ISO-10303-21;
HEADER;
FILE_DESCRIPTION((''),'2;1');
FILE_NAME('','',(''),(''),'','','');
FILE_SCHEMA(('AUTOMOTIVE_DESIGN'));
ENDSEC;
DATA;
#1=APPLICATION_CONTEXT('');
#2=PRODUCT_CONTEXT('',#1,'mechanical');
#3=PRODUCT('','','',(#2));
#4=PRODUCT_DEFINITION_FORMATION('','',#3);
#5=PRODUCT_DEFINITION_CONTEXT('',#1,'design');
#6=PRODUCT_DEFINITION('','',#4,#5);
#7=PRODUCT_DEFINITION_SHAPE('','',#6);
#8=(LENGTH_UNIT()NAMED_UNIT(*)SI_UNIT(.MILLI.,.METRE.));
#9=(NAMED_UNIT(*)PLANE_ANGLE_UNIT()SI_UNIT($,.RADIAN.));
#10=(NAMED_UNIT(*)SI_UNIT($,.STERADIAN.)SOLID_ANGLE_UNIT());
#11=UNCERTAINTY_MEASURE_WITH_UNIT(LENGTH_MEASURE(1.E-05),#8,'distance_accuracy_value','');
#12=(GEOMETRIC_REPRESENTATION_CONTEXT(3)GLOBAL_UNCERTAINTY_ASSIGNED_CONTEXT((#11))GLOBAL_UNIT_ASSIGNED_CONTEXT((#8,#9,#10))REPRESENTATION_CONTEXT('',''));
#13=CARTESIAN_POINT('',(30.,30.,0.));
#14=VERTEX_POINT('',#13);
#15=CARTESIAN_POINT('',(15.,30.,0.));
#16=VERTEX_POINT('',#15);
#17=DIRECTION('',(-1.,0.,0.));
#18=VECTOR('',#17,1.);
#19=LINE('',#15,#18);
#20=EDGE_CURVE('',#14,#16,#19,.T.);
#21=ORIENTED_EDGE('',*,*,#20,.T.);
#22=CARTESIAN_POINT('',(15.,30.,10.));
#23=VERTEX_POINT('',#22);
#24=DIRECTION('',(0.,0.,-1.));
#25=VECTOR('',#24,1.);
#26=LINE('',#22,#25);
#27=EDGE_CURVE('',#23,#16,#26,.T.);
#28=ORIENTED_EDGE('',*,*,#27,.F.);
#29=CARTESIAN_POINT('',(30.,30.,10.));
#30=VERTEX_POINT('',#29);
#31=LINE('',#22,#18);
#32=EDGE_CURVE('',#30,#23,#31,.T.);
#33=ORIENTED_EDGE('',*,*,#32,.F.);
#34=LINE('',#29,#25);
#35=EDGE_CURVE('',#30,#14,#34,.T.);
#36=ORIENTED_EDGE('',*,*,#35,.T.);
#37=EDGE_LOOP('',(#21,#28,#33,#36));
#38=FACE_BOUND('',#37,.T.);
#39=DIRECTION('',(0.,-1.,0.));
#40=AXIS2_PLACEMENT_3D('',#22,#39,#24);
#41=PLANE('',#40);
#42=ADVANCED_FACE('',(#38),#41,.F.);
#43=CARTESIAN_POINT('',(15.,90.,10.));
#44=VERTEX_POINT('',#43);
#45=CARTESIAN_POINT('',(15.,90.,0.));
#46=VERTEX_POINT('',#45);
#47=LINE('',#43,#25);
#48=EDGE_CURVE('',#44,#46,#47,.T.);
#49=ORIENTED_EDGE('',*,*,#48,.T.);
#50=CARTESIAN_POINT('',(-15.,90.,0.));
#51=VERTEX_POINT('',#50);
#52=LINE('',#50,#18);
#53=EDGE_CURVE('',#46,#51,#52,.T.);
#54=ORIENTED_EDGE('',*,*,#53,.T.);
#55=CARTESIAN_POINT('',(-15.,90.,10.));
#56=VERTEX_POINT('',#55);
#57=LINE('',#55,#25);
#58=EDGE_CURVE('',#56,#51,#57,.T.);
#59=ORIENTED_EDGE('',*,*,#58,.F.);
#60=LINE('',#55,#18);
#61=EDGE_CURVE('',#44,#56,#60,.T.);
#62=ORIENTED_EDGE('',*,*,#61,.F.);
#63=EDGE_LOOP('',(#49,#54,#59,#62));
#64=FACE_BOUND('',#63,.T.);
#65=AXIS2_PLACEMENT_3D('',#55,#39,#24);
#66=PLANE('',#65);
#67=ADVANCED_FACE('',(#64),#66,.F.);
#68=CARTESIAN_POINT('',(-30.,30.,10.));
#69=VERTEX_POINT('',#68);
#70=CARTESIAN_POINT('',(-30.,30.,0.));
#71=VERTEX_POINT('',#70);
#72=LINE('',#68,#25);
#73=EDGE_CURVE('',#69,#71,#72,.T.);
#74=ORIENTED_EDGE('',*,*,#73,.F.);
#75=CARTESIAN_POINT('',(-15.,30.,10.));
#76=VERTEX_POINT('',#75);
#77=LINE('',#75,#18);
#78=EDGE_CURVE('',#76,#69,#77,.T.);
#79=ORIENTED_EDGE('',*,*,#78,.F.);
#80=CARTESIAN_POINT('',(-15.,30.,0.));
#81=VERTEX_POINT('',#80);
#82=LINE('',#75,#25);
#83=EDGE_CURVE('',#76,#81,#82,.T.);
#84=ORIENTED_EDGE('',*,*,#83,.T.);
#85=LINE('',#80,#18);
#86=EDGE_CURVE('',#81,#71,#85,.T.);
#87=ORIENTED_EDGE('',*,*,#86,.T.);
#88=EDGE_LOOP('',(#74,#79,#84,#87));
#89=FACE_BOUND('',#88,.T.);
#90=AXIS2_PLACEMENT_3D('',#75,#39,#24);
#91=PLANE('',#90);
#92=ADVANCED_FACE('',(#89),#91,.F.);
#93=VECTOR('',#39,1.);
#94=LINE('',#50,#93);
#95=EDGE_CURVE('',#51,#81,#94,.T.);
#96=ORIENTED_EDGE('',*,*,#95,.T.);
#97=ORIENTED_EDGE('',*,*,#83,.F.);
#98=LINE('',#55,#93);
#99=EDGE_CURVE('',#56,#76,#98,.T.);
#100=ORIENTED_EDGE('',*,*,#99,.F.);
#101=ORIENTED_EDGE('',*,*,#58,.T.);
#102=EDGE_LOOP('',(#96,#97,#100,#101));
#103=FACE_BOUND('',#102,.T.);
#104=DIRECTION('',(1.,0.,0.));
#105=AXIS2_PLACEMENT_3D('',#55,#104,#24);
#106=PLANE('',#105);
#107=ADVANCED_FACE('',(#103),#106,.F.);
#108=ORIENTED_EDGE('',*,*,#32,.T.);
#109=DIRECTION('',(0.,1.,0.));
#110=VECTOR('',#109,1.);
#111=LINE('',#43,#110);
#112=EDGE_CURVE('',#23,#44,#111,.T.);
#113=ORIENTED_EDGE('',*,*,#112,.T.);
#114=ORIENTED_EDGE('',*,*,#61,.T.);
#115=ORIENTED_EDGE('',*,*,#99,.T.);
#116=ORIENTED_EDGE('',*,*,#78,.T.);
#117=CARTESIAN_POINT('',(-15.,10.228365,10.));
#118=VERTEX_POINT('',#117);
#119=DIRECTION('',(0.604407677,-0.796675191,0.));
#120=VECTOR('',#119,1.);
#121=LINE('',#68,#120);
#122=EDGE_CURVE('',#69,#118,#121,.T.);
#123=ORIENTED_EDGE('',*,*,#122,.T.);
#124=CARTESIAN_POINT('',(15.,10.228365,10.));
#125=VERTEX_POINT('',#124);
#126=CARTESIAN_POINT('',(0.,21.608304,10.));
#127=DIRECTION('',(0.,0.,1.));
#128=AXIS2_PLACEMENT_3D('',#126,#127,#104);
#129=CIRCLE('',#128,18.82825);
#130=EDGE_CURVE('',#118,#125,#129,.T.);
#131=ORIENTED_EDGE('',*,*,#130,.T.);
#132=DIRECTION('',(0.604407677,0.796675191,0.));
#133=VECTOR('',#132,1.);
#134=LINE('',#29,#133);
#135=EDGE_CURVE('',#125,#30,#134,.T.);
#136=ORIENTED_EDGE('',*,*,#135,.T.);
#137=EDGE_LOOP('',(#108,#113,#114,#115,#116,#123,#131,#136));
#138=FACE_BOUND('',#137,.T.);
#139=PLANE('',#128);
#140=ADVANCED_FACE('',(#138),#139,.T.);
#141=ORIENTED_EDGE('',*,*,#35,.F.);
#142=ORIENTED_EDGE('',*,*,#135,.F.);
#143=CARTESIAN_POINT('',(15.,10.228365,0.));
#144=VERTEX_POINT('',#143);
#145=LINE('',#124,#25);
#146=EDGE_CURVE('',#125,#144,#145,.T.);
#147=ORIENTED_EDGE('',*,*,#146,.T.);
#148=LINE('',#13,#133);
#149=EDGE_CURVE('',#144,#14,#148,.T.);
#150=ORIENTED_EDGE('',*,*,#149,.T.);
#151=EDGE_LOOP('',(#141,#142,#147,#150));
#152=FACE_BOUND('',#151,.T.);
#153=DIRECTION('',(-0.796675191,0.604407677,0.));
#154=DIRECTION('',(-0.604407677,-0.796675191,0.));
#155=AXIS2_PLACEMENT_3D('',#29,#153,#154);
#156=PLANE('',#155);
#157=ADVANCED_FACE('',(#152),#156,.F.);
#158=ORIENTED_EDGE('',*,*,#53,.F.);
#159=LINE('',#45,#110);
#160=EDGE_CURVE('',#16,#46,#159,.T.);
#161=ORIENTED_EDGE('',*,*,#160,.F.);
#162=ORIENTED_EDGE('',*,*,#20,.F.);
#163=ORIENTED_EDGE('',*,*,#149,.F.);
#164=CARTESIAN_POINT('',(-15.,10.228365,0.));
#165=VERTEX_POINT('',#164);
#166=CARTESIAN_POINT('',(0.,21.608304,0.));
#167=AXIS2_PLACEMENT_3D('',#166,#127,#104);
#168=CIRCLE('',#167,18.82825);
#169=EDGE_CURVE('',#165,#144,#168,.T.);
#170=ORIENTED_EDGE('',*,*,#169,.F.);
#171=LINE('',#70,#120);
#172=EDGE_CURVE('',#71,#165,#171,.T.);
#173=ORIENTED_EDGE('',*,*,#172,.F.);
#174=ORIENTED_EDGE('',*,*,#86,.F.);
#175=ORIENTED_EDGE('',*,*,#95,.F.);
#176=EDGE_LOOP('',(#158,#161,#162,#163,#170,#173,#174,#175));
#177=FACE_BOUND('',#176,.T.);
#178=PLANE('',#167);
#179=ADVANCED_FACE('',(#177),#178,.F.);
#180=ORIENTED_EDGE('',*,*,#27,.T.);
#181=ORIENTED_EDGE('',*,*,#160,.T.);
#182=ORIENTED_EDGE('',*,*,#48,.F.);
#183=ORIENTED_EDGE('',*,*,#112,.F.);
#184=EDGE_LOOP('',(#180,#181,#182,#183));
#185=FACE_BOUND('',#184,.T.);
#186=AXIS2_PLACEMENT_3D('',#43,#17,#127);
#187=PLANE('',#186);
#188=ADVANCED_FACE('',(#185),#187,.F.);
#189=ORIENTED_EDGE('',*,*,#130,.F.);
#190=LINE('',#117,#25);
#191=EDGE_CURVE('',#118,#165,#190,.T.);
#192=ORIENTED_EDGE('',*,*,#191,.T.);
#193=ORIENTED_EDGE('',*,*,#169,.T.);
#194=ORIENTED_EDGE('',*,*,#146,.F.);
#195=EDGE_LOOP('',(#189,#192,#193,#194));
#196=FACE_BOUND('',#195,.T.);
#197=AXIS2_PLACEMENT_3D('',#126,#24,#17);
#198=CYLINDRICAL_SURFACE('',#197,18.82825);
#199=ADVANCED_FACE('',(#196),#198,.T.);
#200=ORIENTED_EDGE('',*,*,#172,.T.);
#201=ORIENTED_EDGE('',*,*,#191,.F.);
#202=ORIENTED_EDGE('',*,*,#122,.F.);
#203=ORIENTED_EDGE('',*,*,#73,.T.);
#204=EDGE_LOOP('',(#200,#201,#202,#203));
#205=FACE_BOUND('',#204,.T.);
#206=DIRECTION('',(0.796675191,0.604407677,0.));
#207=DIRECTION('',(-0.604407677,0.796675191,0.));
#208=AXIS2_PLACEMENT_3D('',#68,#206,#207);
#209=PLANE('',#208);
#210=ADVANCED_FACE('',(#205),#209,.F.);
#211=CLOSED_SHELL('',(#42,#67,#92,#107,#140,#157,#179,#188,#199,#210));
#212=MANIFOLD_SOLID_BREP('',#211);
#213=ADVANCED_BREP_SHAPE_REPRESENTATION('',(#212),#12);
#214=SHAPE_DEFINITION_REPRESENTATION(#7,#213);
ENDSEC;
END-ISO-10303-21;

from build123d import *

# Parameters (mm, degrees)
BOSS_EXTRUDE1_DEPTH = 10


with BuildPart() as part:
    # Sketch1 → Boss-Extrude1 (new body)
    with BuildSketch(Plane.XY):
        with BuildLine():
            Line((-15, 90), (15, 90))
            Line((15, 90), (15, 30))
            Line((15, 30), (30, 30))
            Line((30, 30), (15, 10.228365212))
            ThreePointArc((15, 10.228365212), (0, 2.780053895), (-15, 10.228365212))
            Line((-15, 10.228365212), (-30, 30))
            Line((-30, 30), (-15, 30))
            Line((-15, 30), (-15, 90))
        make_face()
    extrude(amount=BOSS_EXTRUDE1_DEPTH)


solid = part.part
